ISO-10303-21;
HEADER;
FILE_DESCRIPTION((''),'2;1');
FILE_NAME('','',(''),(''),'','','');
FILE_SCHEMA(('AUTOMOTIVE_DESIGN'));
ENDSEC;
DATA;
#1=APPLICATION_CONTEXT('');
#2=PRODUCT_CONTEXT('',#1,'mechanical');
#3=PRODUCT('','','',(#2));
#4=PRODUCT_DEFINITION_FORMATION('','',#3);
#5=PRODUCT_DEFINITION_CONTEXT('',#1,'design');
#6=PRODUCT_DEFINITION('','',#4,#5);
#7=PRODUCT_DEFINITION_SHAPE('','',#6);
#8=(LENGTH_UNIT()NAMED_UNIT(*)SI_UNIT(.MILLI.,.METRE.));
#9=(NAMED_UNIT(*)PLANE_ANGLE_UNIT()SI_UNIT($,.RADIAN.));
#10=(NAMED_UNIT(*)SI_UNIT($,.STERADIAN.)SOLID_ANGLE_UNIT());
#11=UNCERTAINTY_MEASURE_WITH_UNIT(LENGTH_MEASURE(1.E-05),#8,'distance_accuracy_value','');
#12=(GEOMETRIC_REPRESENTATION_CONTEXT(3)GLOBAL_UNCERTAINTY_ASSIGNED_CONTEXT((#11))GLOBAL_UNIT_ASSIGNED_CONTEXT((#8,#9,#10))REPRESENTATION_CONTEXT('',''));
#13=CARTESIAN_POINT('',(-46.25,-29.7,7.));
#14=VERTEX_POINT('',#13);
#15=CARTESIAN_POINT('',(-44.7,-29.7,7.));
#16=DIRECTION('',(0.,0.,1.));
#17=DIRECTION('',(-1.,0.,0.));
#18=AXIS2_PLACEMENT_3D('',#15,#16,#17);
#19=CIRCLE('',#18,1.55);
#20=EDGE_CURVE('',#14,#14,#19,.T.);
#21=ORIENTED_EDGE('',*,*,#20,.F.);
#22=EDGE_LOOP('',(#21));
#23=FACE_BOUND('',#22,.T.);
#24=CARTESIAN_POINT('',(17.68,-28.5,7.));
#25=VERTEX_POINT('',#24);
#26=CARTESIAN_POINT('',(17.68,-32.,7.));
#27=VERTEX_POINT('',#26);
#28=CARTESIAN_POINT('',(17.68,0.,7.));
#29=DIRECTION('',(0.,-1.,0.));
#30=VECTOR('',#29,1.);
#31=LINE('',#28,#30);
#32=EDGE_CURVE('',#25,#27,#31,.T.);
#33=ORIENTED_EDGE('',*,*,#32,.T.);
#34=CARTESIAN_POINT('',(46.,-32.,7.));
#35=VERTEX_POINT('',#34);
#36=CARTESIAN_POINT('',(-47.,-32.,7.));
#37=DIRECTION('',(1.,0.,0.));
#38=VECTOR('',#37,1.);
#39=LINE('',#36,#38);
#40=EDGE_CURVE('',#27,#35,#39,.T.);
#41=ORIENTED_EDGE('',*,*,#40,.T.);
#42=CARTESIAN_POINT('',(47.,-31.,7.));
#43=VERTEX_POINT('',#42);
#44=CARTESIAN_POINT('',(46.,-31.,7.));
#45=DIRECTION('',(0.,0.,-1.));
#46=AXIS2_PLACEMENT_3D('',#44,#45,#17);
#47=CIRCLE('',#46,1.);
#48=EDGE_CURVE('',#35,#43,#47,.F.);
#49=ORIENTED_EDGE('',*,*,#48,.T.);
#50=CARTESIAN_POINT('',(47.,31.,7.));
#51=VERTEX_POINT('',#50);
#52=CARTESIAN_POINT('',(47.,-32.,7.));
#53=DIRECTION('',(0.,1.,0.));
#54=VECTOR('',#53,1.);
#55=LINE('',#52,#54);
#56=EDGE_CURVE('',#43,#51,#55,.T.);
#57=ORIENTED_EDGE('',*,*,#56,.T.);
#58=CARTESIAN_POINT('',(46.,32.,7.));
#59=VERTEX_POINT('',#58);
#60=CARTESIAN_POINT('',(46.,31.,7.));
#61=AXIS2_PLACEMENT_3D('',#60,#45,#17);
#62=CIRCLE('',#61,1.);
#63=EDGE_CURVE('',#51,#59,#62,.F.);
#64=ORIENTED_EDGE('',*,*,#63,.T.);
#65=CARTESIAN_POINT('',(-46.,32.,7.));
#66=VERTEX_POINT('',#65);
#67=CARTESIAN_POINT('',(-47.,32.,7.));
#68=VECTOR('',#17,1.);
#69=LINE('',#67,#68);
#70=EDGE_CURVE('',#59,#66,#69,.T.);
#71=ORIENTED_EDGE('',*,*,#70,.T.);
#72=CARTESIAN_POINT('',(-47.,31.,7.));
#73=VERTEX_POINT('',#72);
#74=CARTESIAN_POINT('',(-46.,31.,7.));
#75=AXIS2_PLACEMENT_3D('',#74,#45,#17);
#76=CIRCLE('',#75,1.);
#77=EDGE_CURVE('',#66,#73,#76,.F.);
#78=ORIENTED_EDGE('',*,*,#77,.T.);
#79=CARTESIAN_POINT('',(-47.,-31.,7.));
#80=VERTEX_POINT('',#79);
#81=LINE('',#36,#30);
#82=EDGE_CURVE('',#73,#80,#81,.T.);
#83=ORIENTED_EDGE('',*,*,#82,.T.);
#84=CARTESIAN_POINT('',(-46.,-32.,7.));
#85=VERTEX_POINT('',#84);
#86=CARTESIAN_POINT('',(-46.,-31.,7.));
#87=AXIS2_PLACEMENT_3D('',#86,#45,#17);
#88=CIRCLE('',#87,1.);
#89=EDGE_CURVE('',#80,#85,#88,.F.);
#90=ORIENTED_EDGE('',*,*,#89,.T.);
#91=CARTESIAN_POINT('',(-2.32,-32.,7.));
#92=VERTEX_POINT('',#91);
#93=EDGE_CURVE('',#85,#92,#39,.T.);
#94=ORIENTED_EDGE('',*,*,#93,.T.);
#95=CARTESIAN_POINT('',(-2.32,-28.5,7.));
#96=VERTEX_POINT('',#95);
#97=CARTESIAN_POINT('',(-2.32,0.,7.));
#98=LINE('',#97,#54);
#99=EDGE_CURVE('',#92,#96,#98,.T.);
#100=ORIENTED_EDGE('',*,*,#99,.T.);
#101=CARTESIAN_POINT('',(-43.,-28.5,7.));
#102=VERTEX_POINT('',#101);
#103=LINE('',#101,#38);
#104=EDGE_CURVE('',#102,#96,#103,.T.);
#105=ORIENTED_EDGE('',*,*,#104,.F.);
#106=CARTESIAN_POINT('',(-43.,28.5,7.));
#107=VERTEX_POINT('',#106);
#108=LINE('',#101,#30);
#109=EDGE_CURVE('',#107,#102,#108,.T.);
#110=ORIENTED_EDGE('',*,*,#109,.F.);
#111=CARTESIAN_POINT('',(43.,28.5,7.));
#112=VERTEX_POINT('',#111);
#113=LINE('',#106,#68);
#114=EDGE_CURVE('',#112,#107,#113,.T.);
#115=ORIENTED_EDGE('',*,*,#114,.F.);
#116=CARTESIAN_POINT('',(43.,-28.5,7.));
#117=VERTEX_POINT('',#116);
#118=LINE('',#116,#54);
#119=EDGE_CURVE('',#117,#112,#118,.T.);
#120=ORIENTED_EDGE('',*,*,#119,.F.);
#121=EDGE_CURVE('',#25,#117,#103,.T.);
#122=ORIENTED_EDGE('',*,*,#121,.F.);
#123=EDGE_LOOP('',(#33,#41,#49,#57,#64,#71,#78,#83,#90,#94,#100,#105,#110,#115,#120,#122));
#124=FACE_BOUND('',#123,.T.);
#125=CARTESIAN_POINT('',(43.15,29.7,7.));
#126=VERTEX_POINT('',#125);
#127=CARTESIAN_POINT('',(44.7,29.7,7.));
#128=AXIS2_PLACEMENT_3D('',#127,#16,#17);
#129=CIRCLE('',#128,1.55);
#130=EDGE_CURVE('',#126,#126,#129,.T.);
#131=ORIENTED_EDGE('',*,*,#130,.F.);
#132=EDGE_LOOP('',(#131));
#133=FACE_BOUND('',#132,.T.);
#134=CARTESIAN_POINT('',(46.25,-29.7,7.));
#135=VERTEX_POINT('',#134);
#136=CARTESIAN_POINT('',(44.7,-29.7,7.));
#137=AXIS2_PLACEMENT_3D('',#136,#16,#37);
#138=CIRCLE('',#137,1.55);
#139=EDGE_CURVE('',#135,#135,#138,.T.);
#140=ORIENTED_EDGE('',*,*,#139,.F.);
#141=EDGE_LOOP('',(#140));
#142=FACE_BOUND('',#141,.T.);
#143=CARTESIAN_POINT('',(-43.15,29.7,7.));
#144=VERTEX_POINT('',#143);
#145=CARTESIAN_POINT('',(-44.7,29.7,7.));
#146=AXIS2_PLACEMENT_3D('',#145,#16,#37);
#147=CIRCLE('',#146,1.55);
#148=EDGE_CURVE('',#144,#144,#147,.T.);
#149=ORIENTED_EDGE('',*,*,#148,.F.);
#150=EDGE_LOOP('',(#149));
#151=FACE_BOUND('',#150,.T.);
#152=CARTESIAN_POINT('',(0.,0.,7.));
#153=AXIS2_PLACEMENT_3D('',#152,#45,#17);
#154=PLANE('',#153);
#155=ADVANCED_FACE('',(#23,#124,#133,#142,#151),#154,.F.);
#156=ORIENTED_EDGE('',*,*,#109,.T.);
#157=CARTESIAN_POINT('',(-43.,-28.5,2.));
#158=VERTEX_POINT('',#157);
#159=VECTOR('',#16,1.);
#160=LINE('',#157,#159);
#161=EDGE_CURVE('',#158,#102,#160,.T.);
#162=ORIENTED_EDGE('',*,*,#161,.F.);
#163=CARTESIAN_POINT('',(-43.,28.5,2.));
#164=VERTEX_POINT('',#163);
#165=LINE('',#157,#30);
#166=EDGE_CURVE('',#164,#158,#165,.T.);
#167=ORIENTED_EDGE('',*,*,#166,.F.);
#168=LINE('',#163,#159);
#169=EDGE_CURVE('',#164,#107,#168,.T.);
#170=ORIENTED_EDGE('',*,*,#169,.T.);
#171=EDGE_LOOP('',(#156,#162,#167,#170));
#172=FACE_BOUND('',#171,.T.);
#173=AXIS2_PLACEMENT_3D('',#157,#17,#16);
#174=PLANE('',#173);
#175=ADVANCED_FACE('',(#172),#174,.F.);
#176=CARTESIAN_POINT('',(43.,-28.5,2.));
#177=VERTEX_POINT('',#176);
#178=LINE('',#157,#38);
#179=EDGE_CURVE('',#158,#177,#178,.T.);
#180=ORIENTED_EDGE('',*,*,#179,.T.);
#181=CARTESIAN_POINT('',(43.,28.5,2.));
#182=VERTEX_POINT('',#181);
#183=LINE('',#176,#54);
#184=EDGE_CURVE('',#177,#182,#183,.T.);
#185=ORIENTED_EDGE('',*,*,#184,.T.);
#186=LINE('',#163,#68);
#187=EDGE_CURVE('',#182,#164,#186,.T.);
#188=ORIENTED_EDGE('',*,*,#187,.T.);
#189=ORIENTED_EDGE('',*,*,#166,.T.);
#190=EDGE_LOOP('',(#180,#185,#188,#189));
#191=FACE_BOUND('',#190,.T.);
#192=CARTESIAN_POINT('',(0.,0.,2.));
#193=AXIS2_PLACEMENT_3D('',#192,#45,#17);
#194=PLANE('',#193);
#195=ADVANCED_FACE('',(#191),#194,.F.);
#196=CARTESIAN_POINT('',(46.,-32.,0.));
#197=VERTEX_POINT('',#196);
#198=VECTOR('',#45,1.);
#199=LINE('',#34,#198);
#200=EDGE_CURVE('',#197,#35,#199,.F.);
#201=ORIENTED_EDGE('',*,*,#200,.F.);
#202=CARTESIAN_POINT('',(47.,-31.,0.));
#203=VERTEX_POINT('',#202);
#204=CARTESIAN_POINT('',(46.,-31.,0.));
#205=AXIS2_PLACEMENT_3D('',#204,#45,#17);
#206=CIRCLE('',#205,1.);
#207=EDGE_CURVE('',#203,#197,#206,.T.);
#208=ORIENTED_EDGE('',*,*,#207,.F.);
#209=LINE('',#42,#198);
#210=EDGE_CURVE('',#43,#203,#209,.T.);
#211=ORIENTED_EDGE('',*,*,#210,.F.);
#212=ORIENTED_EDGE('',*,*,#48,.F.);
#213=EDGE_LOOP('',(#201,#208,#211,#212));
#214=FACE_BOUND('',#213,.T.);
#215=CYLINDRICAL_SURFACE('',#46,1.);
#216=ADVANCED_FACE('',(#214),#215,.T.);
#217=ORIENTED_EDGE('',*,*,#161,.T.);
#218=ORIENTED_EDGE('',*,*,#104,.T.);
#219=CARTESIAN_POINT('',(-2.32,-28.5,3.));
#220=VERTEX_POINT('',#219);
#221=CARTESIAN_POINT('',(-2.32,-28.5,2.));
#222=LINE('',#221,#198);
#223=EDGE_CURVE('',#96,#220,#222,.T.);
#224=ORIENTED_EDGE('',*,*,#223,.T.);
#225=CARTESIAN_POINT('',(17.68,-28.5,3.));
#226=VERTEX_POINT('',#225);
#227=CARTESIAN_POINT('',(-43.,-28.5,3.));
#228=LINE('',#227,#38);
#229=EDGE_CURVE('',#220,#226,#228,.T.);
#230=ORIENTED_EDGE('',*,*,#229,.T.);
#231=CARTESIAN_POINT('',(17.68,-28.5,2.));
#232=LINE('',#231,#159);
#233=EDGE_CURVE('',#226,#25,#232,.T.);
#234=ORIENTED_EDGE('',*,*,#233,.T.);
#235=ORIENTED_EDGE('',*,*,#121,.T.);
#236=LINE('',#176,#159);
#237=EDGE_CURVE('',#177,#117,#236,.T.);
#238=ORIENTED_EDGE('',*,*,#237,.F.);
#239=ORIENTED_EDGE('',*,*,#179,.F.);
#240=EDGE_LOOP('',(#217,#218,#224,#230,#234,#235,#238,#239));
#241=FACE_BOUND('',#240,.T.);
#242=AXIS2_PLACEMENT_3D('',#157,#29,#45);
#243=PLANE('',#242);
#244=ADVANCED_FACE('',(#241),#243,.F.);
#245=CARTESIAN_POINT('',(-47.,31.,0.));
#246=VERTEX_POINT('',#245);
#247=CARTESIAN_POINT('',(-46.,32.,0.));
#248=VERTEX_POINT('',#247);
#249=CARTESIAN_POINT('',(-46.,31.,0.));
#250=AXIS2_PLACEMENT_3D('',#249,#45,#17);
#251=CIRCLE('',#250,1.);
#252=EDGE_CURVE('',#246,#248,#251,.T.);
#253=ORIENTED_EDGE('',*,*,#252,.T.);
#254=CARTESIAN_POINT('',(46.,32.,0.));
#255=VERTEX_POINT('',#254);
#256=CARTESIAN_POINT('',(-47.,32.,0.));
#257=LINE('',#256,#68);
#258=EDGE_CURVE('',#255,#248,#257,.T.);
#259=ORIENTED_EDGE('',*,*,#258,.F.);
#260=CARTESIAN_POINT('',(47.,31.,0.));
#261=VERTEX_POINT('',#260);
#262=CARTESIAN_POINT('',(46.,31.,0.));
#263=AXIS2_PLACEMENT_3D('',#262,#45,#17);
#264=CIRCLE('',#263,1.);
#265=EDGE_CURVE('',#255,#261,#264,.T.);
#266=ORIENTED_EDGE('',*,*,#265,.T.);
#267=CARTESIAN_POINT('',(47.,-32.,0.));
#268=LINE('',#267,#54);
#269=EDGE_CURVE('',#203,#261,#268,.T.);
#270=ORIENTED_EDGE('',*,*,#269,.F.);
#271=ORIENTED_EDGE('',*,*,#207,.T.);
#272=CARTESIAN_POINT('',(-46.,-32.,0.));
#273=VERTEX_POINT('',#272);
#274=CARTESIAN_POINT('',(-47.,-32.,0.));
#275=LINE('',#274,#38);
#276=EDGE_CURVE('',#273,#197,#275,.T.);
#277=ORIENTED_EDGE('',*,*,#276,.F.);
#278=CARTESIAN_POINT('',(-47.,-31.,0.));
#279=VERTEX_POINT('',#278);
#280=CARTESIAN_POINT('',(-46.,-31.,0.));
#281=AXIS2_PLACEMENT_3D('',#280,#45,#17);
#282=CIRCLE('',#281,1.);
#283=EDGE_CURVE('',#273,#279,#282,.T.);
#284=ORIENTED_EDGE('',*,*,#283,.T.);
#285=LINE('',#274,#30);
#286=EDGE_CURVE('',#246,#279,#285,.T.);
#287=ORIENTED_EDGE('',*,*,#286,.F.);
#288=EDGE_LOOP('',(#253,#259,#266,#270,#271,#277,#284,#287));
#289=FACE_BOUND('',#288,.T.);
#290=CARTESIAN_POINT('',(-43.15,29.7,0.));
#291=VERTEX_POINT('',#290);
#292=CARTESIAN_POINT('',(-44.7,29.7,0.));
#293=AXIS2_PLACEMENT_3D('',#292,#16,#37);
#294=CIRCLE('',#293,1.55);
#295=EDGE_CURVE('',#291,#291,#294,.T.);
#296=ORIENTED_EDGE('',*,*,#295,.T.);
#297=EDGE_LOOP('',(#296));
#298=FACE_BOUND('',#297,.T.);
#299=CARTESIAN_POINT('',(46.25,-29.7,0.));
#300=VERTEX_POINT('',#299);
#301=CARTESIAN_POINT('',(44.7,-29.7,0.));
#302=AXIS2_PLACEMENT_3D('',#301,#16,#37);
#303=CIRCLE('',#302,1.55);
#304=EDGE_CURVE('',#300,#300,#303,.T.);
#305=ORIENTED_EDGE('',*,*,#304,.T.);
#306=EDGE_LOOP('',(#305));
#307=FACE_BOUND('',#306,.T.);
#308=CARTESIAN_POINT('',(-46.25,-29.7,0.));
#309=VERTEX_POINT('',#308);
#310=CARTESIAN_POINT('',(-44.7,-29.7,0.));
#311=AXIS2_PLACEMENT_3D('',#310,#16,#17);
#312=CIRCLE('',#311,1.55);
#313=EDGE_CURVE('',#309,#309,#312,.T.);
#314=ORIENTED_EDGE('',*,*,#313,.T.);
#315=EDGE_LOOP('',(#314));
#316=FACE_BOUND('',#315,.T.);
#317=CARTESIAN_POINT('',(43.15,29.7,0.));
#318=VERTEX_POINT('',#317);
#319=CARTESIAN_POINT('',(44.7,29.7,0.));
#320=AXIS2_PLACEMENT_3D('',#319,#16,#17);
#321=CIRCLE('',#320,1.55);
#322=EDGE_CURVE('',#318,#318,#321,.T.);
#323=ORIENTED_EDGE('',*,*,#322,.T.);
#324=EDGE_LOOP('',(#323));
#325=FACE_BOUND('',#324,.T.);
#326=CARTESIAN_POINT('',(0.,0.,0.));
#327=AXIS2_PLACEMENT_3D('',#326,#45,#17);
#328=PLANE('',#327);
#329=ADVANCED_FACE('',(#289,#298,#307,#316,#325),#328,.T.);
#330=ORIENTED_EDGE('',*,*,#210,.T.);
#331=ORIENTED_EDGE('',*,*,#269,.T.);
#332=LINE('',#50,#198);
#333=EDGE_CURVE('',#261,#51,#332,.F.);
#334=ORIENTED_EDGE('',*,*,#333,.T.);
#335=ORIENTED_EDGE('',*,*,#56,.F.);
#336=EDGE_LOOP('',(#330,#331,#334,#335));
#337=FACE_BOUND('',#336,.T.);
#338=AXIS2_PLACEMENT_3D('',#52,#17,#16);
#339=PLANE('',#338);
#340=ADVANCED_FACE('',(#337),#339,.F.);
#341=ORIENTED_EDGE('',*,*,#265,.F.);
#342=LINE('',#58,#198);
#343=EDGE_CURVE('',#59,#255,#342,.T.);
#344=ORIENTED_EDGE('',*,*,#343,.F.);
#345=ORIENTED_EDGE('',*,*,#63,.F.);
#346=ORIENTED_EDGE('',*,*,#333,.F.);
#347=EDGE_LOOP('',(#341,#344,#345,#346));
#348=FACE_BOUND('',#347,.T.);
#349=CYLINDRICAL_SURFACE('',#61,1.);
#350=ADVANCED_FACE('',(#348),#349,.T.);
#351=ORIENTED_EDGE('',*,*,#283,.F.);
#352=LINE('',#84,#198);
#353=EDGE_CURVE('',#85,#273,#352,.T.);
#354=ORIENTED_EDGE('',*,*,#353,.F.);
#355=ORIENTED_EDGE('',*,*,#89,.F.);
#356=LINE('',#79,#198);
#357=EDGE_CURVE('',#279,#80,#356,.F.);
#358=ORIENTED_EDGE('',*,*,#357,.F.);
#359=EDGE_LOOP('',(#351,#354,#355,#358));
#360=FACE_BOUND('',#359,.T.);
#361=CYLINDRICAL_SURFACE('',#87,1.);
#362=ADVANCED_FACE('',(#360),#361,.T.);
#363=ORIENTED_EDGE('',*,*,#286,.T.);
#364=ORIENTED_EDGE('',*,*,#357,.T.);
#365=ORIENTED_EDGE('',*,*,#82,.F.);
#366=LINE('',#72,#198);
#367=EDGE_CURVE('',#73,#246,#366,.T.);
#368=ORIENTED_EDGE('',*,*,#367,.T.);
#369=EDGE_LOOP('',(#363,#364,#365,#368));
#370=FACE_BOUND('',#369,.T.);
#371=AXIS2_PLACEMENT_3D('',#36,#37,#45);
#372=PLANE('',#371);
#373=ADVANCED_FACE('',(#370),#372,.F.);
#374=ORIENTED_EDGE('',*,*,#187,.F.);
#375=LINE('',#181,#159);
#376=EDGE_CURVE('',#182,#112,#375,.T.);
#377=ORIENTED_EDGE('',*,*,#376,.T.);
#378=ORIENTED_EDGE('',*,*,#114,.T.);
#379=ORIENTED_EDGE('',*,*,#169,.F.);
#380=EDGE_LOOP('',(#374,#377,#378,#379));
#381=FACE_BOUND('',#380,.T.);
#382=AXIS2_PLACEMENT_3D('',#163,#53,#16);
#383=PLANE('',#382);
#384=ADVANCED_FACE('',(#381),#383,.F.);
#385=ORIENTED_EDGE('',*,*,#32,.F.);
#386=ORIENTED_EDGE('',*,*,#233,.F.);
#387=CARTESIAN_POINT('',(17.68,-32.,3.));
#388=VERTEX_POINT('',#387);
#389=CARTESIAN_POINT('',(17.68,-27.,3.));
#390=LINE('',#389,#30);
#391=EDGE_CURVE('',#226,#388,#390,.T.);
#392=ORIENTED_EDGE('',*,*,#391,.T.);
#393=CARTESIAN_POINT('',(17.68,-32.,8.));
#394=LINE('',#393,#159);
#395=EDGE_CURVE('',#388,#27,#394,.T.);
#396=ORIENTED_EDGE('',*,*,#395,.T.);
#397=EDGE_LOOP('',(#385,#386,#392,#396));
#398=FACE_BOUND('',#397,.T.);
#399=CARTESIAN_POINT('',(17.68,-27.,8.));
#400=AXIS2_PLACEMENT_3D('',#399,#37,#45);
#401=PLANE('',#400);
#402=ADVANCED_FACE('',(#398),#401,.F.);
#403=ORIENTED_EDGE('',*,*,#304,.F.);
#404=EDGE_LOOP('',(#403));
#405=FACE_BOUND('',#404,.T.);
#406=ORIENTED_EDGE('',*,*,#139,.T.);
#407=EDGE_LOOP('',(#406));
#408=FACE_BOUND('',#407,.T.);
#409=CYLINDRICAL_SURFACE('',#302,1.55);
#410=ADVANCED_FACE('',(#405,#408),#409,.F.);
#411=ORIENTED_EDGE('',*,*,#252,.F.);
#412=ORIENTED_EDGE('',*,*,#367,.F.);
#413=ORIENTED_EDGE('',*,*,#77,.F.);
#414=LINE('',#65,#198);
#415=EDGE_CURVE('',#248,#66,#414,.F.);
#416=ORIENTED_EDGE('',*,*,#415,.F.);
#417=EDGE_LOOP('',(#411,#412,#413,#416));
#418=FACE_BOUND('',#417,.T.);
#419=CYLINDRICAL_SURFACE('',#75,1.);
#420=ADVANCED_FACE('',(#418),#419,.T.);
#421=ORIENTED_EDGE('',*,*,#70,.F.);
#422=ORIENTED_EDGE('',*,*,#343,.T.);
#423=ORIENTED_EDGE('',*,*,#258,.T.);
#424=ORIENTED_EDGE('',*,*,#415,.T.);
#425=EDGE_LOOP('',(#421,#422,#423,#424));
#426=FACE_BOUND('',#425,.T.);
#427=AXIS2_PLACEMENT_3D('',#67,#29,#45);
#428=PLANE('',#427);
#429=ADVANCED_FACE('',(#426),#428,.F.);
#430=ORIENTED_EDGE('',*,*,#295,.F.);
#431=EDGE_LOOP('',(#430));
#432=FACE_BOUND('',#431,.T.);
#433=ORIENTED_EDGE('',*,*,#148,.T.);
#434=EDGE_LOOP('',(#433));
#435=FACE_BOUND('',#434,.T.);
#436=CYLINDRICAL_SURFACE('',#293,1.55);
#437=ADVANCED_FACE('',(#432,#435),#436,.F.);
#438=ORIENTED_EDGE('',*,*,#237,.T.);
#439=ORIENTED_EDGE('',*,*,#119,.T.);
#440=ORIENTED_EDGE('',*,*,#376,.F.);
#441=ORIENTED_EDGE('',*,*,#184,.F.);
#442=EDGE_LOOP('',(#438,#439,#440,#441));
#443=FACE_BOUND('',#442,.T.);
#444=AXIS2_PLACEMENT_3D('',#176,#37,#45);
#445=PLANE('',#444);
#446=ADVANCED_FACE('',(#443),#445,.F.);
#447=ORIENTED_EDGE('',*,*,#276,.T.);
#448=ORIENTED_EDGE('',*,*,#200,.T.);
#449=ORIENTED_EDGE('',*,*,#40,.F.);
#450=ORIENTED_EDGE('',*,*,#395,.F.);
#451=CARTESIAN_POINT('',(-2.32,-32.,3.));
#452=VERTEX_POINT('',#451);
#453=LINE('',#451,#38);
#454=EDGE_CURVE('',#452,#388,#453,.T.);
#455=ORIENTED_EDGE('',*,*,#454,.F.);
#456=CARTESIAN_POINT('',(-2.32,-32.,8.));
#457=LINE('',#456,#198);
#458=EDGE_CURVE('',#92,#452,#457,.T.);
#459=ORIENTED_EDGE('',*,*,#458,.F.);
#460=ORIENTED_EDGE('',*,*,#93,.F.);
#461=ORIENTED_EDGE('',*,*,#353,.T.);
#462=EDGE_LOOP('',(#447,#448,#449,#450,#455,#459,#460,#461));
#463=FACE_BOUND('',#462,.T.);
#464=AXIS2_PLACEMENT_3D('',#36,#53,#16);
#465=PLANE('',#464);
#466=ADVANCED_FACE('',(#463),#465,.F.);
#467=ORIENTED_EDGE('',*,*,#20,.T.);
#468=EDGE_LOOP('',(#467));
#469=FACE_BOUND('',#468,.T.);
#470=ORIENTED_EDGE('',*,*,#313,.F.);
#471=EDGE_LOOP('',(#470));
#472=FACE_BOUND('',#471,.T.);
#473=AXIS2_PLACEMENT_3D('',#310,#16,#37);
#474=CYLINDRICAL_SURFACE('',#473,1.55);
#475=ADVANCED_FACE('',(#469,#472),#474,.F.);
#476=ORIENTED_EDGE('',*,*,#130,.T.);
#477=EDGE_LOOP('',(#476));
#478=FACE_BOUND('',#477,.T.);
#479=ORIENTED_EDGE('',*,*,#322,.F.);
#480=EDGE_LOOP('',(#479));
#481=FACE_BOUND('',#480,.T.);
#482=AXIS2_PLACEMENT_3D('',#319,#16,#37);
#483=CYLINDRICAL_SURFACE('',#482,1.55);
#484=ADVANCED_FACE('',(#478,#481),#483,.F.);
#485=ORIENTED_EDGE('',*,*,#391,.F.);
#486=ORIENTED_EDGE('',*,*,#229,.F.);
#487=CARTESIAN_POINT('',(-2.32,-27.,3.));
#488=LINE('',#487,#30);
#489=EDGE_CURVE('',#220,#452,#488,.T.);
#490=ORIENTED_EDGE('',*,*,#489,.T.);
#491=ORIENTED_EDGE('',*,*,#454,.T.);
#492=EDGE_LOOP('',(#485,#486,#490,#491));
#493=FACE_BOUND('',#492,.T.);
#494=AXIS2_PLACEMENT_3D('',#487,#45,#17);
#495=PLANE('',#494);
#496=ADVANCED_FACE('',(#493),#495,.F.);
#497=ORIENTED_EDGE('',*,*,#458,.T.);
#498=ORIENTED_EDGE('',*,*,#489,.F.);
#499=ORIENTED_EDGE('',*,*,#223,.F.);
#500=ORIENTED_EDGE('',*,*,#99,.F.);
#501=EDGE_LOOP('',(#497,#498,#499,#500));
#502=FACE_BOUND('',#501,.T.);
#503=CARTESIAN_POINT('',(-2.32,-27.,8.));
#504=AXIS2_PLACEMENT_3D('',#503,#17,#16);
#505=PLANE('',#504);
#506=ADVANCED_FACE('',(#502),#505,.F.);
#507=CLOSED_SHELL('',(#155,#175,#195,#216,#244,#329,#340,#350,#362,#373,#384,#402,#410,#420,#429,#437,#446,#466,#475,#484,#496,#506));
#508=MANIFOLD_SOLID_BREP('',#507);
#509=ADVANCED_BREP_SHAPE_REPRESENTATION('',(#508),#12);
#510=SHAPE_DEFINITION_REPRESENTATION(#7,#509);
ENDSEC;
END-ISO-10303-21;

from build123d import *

# Parameters (mm, degrees)
SKETCH_1_W          = 94
SKETCH_1_H          = 64
EXTRUDE_1_DEPTH     = 7
FILLET_1_R          = 1
SKETCH_2_W          = 86
SKETCH_2_H          = 57
CUT_EXTRUDE_1_DEPTH = 5
SKETCH_3_R          = 1.55
CUT_EXTRUDE_2_DEPTH = 58.28874235
SKETCH_4_W          = 20
SKETCH_4_H          = 5
CUT_EXTRUDE_4_DEPTH = 5


with BuildPart() as part:
    # 草图1 → 凸台-拉伸1 (new body)
    with BuildSketch(Plane.XY):
        Rectangle(SKETCH_1_W, SKETCH_1_H)
    extrude(amount=EXTRUDE_1_DEPTH)

    # 圆角1
    fillet_1_edges = [part.edges().sort_by_distance(p)[0] for p in [
        (47, -32, 3.5),
        (-47, -32, 3.5),
        (-47, 32, 3.5),
        (47, 32, 3.5),
    ]]
    fillet(fillet_1_edges, radius=FILLET_1_R)

    # 草图2 → 切除-拉伸1 (cut)
    with BuildSketch(Plane.XY.offset(7)):
        Rectangle(SKETCH_2_W, SKETCH_2_H)
    extrude(amount=-CUT_EXTRUDE_1_DEPTH, mode=Mode.SUBTRACT)

    # 草图3 → 切除-拉伸2 (cut, through all)
    with BuildSketch(Plane.XY.offset(7)):
        with Locations((-44.7, 29.7)):
            Circle(SKETCH_3_R)
        with Locations(Location((44.7, 29.7, 0), (0, 0, 180))):
            Circle(SKETCH_3_R)
        with Locations((44.7, -29.7)):
            Circle(SKETCH_3_R)
        with Locations(Location((-44.7, -29.7, 0), (0, 0, 180))):
            Circle(SKETCH_3_R)
    extrude(amount=-CUT_EXTRUDE_2_DEPTH, mode=Mode.SUBTRACT)

    # 草图4 → 切除-拉伸4 (cut)
    with BuildSketch(Plane.XZ.offset(32)):
        with Locations((7.68, 5.5)):
            Rectangle(SKETCH_4_W, SKETCH_4_H)
    extrude(amount=-CUT_EXTRUDE_4_DEPTH, mode=Mode.SUBTRACT)


solid = part.part
